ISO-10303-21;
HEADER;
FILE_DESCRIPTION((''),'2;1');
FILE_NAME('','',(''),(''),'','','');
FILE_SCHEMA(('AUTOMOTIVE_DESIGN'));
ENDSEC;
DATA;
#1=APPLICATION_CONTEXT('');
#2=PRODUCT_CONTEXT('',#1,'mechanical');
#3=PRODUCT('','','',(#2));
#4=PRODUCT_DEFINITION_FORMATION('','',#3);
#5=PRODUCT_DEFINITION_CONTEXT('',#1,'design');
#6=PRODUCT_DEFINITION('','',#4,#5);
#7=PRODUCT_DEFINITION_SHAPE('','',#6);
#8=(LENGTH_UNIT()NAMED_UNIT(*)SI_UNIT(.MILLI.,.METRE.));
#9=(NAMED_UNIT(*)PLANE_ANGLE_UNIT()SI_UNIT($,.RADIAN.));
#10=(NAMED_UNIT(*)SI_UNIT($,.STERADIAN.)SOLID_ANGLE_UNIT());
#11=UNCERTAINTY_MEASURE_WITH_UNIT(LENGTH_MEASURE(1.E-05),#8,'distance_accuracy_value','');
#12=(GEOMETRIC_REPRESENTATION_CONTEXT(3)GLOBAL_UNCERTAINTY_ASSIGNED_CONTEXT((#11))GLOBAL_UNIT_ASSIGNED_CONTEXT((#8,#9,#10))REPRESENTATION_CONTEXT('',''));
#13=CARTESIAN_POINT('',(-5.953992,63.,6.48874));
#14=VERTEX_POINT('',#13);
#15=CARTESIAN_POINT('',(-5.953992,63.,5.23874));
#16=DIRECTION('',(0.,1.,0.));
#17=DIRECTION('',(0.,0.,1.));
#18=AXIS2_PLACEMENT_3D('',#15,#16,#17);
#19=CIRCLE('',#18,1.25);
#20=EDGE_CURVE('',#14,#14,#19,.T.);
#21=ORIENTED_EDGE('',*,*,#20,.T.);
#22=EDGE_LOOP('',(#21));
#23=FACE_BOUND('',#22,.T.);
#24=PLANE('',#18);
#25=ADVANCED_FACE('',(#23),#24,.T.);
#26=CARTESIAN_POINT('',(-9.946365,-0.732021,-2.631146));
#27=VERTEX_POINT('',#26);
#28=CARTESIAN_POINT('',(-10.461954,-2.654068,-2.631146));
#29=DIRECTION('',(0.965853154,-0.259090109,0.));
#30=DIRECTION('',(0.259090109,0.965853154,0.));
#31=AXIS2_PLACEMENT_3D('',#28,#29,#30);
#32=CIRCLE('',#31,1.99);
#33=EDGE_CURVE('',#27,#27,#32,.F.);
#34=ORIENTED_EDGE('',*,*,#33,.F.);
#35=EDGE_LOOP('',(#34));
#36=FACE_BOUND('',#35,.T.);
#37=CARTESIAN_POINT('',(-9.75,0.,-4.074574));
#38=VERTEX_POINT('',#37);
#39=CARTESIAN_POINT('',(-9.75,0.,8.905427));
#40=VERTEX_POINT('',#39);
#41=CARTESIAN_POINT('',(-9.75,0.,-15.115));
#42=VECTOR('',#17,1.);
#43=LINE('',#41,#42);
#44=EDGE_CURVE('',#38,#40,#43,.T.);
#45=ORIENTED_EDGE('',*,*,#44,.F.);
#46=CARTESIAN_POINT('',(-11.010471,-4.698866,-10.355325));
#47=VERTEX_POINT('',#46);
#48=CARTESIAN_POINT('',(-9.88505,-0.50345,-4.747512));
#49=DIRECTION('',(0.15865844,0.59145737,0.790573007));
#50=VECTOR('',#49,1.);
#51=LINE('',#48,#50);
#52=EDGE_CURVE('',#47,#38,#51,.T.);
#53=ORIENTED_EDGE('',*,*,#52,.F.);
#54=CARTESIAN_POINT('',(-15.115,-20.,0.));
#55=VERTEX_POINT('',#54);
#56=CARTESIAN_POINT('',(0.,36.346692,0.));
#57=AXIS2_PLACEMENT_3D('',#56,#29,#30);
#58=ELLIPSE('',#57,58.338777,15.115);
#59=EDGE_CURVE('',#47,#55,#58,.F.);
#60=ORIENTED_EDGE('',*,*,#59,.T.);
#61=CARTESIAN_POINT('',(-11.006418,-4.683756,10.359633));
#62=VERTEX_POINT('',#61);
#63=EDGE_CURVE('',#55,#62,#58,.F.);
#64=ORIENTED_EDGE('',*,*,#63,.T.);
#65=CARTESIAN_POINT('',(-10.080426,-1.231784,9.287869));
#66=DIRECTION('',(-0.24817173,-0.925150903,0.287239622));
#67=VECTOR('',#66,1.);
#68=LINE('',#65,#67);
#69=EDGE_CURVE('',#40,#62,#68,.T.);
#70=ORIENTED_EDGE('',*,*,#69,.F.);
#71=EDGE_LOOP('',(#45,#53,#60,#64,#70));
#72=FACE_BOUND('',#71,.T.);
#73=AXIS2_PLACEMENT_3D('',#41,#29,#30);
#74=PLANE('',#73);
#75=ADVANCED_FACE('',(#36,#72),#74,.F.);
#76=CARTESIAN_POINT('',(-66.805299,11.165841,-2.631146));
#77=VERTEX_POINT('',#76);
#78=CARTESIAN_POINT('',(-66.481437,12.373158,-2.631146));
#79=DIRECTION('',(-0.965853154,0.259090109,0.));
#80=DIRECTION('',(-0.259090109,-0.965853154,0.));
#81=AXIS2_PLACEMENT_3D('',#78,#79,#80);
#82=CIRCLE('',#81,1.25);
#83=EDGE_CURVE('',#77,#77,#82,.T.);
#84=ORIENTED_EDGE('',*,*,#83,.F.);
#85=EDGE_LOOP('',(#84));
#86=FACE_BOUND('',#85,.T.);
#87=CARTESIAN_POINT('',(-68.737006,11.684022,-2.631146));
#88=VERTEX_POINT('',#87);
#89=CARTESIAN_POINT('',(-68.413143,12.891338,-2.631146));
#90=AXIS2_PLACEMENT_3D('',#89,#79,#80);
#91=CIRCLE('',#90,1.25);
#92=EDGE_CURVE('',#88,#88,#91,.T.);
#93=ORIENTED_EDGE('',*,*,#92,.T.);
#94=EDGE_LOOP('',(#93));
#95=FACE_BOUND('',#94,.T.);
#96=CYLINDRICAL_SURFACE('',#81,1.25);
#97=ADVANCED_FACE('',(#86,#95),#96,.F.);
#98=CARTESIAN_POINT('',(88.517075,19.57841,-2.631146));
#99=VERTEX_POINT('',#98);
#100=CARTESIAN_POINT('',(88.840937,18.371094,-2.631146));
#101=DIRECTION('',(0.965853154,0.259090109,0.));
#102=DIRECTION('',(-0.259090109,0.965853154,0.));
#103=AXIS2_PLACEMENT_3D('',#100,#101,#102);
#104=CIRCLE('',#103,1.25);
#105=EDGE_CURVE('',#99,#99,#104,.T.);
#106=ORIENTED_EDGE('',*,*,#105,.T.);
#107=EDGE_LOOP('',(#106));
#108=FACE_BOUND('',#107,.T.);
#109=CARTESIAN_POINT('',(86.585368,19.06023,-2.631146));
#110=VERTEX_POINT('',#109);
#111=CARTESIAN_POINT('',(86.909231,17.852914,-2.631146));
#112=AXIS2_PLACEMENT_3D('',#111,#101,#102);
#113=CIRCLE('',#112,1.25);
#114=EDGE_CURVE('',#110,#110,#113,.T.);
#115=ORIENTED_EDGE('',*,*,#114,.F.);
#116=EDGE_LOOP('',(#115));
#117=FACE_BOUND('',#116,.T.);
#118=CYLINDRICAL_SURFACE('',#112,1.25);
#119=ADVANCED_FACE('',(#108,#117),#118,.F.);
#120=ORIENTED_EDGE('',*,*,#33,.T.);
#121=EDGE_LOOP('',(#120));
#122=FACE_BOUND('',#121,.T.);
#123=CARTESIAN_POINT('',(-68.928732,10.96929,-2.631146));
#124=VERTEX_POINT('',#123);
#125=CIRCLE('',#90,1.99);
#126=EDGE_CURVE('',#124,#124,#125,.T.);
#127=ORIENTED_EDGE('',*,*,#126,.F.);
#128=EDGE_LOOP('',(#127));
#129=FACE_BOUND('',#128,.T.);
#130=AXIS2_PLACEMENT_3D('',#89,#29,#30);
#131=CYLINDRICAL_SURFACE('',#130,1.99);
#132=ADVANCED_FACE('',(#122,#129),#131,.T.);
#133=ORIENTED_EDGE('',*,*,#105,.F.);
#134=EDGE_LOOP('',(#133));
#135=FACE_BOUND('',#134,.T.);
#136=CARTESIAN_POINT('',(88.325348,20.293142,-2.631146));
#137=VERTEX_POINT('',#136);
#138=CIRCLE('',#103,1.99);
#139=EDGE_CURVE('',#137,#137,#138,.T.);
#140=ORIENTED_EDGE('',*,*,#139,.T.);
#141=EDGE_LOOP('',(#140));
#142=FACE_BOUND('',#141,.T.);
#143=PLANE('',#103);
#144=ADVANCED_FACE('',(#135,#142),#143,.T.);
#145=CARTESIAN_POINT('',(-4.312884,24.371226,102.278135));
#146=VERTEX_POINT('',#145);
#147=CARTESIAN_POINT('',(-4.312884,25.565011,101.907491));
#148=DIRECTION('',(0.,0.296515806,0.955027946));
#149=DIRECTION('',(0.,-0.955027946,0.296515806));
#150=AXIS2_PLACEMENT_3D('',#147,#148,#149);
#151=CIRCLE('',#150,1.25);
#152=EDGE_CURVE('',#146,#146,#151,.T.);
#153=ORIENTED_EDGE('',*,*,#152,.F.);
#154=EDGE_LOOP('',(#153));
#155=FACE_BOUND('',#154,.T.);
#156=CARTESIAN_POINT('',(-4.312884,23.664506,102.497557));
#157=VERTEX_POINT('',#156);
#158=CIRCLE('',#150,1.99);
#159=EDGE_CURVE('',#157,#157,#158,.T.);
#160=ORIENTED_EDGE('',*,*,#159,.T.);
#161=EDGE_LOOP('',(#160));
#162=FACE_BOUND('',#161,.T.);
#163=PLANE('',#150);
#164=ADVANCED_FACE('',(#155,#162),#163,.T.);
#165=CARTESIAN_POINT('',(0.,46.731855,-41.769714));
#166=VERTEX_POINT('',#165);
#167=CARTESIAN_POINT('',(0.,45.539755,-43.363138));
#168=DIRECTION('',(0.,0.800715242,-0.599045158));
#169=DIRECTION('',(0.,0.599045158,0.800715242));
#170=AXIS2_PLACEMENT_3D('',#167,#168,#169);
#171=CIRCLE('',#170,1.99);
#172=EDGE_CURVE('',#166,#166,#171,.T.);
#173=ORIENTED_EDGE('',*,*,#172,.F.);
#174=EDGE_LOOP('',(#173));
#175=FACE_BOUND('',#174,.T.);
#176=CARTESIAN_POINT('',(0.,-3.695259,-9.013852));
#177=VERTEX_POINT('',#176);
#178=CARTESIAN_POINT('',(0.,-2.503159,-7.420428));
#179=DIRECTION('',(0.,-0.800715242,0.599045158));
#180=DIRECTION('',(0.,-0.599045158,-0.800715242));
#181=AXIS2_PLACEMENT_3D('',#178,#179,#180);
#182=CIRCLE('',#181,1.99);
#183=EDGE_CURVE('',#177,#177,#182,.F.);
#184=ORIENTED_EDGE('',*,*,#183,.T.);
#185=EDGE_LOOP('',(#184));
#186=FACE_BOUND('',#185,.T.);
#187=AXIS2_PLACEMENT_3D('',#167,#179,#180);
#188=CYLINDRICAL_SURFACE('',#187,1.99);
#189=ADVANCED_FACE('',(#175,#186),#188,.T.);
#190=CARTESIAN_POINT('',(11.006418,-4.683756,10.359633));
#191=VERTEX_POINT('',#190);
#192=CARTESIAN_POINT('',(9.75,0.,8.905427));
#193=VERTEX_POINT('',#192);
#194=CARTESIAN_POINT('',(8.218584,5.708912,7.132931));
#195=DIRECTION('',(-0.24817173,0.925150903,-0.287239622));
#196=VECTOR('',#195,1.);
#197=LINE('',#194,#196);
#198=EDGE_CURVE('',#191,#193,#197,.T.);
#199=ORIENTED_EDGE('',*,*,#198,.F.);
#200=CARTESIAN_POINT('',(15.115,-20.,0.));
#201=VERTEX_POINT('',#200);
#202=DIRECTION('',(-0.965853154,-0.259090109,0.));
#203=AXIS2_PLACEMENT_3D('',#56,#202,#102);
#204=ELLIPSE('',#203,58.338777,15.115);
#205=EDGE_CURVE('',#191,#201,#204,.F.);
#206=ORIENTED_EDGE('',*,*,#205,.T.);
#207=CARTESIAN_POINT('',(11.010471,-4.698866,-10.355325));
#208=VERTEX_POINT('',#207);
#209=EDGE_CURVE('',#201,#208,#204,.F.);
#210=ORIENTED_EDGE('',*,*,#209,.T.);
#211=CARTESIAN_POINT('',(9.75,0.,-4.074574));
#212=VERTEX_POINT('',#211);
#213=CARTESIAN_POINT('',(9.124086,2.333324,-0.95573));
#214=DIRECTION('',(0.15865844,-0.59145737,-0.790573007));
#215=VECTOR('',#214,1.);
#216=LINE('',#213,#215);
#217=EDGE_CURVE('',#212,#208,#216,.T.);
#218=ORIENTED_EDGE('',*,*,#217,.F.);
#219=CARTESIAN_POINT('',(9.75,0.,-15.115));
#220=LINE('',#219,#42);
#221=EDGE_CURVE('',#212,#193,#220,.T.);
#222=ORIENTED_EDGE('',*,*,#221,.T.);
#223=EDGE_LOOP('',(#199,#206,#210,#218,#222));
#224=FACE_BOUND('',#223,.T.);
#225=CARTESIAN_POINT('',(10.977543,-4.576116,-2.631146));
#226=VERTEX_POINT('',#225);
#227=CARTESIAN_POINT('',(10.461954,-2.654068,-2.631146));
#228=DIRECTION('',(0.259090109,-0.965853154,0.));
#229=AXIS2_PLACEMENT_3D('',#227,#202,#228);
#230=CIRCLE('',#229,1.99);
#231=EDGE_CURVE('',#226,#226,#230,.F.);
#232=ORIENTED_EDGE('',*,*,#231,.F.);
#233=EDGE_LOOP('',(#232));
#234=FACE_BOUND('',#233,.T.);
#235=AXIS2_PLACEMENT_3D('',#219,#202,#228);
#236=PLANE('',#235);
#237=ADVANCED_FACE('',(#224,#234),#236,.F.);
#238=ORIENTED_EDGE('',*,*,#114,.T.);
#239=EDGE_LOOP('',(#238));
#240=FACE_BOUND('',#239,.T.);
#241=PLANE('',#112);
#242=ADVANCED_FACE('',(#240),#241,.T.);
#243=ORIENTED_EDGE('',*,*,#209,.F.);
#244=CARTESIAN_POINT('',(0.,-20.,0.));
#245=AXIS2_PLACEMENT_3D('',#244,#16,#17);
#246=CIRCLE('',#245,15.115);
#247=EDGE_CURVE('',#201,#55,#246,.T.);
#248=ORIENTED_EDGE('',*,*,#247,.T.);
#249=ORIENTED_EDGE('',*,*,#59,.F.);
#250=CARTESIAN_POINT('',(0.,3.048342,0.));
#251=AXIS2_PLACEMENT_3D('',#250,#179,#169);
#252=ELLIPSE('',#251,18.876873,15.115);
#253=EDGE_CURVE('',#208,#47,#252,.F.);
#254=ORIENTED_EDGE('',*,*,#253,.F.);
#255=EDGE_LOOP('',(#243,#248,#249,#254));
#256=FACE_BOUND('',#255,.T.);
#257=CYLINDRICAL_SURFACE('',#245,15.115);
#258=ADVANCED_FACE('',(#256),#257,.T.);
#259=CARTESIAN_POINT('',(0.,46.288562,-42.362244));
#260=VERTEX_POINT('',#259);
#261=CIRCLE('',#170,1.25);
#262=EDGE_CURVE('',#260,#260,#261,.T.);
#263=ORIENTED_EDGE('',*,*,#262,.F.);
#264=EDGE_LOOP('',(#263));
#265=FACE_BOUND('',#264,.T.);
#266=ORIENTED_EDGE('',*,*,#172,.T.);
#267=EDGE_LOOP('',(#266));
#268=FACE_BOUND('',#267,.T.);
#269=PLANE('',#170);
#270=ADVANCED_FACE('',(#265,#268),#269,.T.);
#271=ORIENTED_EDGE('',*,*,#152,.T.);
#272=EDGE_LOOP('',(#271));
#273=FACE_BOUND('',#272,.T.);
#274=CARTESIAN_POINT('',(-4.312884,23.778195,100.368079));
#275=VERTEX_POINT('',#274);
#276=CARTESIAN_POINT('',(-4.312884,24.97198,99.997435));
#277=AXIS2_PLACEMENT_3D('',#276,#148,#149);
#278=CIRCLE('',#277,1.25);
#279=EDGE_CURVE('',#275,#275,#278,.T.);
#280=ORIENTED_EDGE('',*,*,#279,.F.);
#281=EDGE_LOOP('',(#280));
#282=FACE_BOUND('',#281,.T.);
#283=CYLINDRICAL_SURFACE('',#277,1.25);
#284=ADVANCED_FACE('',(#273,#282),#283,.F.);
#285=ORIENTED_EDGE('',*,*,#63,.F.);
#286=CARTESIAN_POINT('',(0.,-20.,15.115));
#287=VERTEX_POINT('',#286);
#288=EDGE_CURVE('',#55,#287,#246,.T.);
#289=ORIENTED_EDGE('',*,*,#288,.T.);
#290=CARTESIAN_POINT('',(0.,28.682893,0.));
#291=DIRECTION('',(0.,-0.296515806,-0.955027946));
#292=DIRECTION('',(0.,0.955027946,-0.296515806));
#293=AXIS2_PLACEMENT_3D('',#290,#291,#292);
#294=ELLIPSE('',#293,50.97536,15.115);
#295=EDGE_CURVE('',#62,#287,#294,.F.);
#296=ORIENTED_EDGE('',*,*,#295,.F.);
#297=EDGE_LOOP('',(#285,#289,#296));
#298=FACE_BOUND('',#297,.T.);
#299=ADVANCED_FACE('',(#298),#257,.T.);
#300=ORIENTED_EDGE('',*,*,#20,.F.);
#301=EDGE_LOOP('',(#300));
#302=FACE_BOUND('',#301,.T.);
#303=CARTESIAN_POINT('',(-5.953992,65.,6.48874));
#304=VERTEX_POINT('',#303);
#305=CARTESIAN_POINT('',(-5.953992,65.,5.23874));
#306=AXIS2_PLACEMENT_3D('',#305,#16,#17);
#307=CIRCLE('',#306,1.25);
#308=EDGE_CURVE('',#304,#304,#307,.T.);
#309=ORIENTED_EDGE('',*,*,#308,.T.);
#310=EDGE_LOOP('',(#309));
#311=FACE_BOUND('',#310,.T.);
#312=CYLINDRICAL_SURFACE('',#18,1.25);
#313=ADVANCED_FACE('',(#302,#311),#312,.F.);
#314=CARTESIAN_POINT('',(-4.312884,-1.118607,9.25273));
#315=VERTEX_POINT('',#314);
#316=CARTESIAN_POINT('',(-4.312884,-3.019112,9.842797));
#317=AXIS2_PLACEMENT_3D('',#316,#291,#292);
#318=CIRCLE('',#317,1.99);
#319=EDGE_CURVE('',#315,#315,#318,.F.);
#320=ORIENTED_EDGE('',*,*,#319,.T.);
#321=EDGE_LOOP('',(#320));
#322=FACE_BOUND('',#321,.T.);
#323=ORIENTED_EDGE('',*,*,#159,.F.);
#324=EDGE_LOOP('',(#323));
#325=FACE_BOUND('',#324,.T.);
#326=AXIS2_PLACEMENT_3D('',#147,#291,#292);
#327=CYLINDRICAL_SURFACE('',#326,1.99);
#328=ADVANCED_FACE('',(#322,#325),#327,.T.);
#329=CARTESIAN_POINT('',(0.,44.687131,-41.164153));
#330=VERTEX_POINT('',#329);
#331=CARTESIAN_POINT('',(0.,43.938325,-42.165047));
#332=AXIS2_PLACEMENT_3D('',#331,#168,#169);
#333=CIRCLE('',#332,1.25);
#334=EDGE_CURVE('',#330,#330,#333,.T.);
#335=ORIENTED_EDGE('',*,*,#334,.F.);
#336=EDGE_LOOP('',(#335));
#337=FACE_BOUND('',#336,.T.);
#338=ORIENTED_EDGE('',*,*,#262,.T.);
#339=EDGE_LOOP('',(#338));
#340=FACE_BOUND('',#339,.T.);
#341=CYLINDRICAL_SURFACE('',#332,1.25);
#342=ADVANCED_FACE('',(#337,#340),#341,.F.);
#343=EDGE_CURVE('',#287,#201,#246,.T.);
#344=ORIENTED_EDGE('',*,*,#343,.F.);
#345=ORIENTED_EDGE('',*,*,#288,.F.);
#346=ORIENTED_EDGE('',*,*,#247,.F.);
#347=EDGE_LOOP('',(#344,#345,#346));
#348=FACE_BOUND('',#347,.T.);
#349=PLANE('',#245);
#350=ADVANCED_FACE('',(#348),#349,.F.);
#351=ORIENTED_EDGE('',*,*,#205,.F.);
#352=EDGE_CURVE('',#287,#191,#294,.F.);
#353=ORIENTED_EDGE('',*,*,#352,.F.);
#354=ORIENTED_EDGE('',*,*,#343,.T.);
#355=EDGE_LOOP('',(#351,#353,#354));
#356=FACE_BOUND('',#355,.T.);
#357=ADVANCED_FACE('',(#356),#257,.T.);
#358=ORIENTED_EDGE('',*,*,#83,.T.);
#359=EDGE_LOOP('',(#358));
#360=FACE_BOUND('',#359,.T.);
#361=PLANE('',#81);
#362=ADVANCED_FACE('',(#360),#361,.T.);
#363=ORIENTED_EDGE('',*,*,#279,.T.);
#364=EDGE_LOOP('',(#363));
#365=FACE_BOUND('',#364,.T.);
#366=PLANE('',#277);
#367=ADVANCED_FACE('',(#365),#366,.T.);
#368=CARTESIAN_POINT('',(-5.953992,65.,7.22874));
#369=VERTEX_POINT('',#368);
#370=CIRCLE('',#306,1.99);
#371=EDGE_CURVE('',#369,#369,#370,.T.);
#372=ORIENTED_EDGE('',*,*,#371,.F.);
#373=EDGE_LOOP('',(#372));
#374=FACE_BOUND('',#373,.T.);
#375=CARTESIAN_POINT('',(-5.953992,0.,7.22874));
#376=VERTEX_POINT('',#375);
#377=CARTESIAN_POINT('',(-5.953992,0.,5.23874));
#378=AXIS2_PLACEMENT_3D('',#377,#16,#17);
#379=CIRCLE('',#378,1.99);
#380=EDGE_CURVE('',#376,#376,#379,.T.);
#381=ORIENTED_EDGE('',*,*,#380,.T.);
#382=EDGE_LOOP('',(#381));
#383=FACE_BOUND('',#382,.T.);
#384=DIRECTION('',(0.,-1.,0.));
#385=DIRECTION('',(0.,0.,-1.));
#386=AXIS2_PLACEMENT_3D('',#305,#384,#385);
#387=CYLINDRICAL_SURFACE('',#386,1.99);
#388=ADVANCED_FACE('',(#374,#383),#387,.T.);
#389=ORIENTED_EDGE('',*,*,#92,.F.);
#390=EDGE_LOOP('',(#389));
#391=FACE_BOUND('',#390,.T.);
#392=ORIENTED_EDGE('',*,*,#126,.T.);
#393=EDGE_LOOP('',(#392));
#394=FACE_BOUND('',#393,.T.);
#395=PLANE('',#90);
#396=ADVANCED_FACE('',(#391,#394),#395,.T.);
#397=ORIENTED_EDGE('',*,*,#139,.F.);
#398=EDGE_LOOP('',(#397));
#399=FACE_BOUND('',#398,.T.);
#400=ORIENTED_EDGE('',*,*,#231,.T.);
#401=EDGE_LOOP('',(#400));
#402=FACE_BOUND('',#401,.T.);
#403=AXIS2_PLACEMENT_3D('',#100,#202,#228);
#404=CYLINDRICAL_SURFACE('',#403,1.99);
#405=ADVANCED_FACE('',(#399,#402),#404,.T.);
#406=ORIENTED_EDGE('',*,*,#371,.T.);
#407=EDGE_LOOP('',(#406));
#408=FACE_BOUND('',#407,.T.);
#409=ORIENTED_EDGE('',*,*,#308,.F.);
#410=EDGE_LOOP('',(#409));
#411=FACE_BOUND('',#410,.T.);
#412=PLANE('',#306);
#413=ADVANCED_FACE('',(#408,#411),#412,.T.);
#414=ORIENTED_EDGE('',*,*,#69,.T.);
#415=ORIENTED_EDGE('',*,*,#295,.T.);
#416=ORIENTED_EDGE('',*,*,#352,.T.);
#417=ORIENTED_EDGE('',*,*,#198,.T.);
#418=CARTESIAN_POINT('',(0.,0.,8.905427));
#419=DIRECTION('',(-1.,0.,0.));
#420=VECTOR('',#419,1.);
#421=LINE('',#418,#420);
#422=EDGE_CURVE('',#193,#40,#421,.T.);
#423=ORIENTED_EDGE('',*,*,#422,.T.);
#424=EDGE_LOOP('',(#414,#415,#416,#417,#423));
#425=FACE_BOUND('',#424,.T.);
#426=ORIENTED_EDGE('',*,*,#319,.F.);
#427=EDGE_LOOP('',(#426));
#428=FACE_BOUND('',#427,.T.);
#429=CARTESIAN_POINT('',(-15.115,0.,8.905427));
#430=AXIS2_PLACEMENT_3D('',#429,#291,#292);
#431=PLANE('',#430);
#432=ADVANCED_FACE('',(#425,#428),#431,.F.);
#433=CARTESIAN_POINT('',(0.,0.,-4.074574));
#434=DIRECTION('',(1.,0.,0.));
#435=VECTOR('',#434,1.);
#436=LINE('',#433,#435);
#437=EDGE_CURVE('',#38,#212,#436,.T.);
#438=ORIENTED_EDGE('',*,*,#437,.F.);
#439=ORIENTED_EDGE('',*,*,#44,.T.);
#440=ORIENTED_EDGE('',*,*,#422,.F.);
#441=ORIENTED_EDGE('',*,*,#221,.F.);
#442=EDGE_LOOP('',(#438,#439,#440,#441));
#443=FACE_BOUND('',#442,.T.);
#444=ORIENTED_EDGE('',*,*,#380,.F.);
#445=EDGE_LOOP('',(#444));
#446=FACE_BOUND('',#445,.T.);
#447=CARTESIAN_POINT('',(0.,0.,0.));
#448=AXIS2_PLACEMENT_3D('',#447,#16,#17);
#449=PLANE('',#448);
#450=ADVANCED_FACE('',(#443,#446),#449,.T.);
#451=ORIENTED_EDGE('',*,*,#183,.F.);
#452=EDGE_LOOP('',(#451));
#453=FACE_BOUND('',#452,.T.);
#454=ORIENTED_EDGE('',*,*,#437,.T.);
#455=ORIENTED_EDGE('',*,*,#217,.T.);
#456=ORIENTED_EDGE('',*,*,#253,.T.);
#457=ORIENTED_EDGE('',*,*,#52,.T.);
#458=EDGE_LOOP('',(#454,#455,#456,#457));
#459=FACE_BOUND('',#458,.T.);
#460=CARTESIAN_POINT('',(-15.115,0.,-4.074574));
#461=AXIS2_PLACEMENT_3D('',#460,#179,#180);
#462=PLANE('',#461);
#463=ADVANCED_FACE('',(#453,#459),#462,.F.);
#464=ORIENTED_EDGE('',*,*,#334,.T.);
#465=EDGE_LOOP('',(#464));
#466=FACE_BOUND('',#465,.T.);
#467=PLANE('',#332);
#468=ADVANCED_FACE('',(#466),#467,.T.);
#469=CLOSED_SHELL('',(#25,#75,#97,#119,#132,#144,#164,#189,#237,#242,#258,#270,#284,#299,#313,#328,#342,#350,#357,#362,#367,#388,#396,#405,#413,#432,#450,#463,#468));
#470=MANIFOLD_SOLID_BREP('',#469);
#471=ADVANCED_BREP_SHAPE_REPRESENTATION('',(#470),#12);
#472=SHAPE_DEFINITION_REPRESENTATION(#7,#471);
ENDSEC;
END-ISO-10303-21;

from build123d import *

# Parameters (mm, degrees)
SKETCH1_R           = 15.115
BOSS_EXTRUDE1_DEPTH = 20
CUT_EXTRUDE1_DEPTH  = 40.272332818
CUT_EXTRUDE3_DEPTH  = 40.272332818
SKETCH8_R           = 1.99
BOSS_EXTRUDE2_DEPTH = 65
SKETCH9_R           = 1.25
CUT_EXTRUDE4_DEPTH  = 2
SKETCH11_R          = 1.99
BOSS_EXTRUDE3_DEPTH = 96.4
SKETCH12_R          = 1.25
CUT_EXTRUDE5_DEPTH  = 2
SKETCH13_R          = 1.99
BOSS_EXTRUDE4_DEPTH = 81.15
SKETCH14_R          = 1.25
CUT_EXTRUDE6_DEPTH  = 2
SKETCH15_R          = 1.99
BOSS_EXTRUDE5_DEPTH = 60
SKETCH16_R          = 1.25
CUT_EXTRUDE7_DEPTH  = 2
SKETCH17_R          = 1.99
BOSS_EXTRUDE6_DEPTH = 60
SKETCH18_R          = 1.25
CUT_EXTRUDE8_DEPTH  = 2


with BuildPart() as part:
    # Sketch1 → Boss-Extrude1 (new body)
    with BuildSketch(Plane(origin=(0, 0, 0), x_dir=(1, 0, 0), z_dir=(0, 1, 0))):
        with Locations(Location((0, 0, 0), (0, 0, 270))):
            Circle(SKETCH1_R)
    extrude(amount=-BOSS_EXTRUDE1_DEPTH)

    # Sketch3 → Cut-Extrude1 (cut, through all)
    with BuildSketch(Plane(origin=(15.115, 0, 0), x_dir=(0, 0, -1), z_dir=(1, 0, 0))):
        Polygon((-8.905426603, 0), (-15.115, -20), (-15.115, 0), align=None)
        Polygon((4.07457383, 0), (15.115, -8.259757639), (15.115, 0), align=None)
    extrude(amount=-CUT_EXTRUDE1_DEPTH, mode=Mode.SUBTRACT)

    # Sketch7 → Cut-Extrude3 (cut, through all)
    with BuildSketch(Plane.XY.offset(15.115)):
        Polygon((15.115, 0), (9.75, 0), (15.115, -20), align=None)
        Polygon((-15.115, -20), (-15.115, 0), (-9.75, 0), align=None)
    extrude(amount=-CUT_EXTRUDE3_DEPTH, mode=Mode.SUBTRACT)

    # Sketch8 → Boss-Extrude2 (add)
    with BuildSketch(Plane(origin=(0, 0, 0), x_dir=(1, 0, 0), z_dir=(0, 1, 0))):
        with Locations(Location((-5.953992214, -5.238739903, 0), (0, 0, 270))):
            Circle(SKETCH8_R)
    extrude(amount=BOSS_EXTRUDE2_DEPTH)

    # Sketch9 → Cut-Extrude4 (cut)
    with BuildSketch(Plane(origin=(0, 65, 0), x_dir=(1, 0, 0), z_dir=(0, 1, 0))):
        with Locations(Location((-5.953992214, -5.238739903, 0), (0, 0, 270))):
            Circle(SKETCH9_R)
    extrude(amount=-CUT_EXTRUDE4_DEPTH, mode=Mode.SUBTRACT)

    # Sketch11 → Boss-Extrude3 (add)
    with BuildSketch(Plane(origin=(0, 2.521846553, 8.12244704), x_dir=(1, 0, 0), z_dir=(0, 0.296515806173068, 0.9550279455018769))):
        with Locations(Location((-4.312884214, -5.801881574, 0), (0, 0, 90))):
            Circle(SKETCH11_R)
    extrude(amount=BOSS_EXTRUDE3_DEPTH)

    # Sketch12 → Cut-Extrude5 (cut)
    with BuildSketch(Plane(origin=(0, 31.105970268, 100.187140986), x_dir=(1, 0, 0), z_dir=(0, 0.2965158061730681, 0.9550279455018768))):
        with Locations(Location((-4.312884214, -5.801881574, 0), (0, 0, 270))):
            Circle(SKETCH12_R)
    extrude(amount=-CUT_EXTRUDE5_DEPTH, mode=Mode.SUBTRACT)

    # Sketch13 → Boss-Extrude4 (add)
    with BuildSketch(Plane(origin=(9.095505077, 2.439869237, 0), x_dir=(0, 0, -1), z_dir=(0.9658531542677156, 0.25909010863231474, 0))):
        with Locations(Location((2.631146058, -5.274029077, 0), (0, 0, 270))):
            Circle(SKETCH13_R)
    extrude(amount=BOSS_EXTRUDE4_DEPTH)

    # Sketch14 → Cut-Extrude6 (cut)
    with BuildSketch(Plane(origin=(87.474488546, 23.465031552, 0), x_dir=(0, 0, -1), z_dir=(0.9658531542677156, 0.2590901086323148, 0))):
        with Locations(Location((2.631146058, -5.274029077, 0), (0, 0, 90))):
            Circle(SKETCH14_R)
    extrude(amount=-CUT_EXTRUDE6_DEPTH, mode=Mode.SUBTRACT)

    # Sketch15 → Boss-Extrude5 (add)
    with BuildSketch(Plane(origin=(-9.095505077, 2.439869237, 0), x_dir=(0, 0, 1), z_dir=(-0.9658531542677156, 0.25909010863231474, 0))):
        with Locations(Location((-2.63114606, -5.274029079, 0), (0, 0, 90))):
            Circle(SKETCH15_R)
    extrude(amount=BOSS_EXTRUDE5_DEPTH)

    # Sketch16 → Cut-Extrude7 (cut)
    with BuildSketch(Plane(origin=(-67.046694333, 17.985275755, 0), x_dir=(0, 0, 1), z_dir=(-0.9658531542677156, 0.2590901086323148, 0))):
        with Locations(Location((-2.63114606, -5.274029079, 0), (0, 0, 270))):
            Circle(SKETCH16_R)
    extrude(amount=-CUT_EXTRUDE7_DEPTH, mode=Mode.SUBTRACT)

    # Sketch17 → Boss-Extrude6 (add)
    with BuildSketch(Plane(origin=(0, 1.95442878, -1.462181603), x_dir=(1, 0, 0), z_dir=(0, 0.8007152420957264, -0.5990451577932857))):
        with Locations(Location((0, 7.441155509, 0), (0, 0, 90))):
            Circle(SKETCH17_R)
    extrude(amount=BOSS_EXTRUDE6_DEPTH)

    # Sketch18 → Cut-Extrude8 (cut)
    with BuildSketch(Plane(origin=(0, 49.997343305, -37.404891071), x_dir=(1, 0, 0), z_dir=(0, 0.8007152420957262, -0.5990451577932858))):
        with Locations(Location((0, 7.441155509, 0), (0, 0, 270))):
            Circle(SKETCH18_R)
    extrude(amount=-CUT_EXTRUDE8_DEPTH, mode=Mode.SUBTRACT)


solid = part.part
